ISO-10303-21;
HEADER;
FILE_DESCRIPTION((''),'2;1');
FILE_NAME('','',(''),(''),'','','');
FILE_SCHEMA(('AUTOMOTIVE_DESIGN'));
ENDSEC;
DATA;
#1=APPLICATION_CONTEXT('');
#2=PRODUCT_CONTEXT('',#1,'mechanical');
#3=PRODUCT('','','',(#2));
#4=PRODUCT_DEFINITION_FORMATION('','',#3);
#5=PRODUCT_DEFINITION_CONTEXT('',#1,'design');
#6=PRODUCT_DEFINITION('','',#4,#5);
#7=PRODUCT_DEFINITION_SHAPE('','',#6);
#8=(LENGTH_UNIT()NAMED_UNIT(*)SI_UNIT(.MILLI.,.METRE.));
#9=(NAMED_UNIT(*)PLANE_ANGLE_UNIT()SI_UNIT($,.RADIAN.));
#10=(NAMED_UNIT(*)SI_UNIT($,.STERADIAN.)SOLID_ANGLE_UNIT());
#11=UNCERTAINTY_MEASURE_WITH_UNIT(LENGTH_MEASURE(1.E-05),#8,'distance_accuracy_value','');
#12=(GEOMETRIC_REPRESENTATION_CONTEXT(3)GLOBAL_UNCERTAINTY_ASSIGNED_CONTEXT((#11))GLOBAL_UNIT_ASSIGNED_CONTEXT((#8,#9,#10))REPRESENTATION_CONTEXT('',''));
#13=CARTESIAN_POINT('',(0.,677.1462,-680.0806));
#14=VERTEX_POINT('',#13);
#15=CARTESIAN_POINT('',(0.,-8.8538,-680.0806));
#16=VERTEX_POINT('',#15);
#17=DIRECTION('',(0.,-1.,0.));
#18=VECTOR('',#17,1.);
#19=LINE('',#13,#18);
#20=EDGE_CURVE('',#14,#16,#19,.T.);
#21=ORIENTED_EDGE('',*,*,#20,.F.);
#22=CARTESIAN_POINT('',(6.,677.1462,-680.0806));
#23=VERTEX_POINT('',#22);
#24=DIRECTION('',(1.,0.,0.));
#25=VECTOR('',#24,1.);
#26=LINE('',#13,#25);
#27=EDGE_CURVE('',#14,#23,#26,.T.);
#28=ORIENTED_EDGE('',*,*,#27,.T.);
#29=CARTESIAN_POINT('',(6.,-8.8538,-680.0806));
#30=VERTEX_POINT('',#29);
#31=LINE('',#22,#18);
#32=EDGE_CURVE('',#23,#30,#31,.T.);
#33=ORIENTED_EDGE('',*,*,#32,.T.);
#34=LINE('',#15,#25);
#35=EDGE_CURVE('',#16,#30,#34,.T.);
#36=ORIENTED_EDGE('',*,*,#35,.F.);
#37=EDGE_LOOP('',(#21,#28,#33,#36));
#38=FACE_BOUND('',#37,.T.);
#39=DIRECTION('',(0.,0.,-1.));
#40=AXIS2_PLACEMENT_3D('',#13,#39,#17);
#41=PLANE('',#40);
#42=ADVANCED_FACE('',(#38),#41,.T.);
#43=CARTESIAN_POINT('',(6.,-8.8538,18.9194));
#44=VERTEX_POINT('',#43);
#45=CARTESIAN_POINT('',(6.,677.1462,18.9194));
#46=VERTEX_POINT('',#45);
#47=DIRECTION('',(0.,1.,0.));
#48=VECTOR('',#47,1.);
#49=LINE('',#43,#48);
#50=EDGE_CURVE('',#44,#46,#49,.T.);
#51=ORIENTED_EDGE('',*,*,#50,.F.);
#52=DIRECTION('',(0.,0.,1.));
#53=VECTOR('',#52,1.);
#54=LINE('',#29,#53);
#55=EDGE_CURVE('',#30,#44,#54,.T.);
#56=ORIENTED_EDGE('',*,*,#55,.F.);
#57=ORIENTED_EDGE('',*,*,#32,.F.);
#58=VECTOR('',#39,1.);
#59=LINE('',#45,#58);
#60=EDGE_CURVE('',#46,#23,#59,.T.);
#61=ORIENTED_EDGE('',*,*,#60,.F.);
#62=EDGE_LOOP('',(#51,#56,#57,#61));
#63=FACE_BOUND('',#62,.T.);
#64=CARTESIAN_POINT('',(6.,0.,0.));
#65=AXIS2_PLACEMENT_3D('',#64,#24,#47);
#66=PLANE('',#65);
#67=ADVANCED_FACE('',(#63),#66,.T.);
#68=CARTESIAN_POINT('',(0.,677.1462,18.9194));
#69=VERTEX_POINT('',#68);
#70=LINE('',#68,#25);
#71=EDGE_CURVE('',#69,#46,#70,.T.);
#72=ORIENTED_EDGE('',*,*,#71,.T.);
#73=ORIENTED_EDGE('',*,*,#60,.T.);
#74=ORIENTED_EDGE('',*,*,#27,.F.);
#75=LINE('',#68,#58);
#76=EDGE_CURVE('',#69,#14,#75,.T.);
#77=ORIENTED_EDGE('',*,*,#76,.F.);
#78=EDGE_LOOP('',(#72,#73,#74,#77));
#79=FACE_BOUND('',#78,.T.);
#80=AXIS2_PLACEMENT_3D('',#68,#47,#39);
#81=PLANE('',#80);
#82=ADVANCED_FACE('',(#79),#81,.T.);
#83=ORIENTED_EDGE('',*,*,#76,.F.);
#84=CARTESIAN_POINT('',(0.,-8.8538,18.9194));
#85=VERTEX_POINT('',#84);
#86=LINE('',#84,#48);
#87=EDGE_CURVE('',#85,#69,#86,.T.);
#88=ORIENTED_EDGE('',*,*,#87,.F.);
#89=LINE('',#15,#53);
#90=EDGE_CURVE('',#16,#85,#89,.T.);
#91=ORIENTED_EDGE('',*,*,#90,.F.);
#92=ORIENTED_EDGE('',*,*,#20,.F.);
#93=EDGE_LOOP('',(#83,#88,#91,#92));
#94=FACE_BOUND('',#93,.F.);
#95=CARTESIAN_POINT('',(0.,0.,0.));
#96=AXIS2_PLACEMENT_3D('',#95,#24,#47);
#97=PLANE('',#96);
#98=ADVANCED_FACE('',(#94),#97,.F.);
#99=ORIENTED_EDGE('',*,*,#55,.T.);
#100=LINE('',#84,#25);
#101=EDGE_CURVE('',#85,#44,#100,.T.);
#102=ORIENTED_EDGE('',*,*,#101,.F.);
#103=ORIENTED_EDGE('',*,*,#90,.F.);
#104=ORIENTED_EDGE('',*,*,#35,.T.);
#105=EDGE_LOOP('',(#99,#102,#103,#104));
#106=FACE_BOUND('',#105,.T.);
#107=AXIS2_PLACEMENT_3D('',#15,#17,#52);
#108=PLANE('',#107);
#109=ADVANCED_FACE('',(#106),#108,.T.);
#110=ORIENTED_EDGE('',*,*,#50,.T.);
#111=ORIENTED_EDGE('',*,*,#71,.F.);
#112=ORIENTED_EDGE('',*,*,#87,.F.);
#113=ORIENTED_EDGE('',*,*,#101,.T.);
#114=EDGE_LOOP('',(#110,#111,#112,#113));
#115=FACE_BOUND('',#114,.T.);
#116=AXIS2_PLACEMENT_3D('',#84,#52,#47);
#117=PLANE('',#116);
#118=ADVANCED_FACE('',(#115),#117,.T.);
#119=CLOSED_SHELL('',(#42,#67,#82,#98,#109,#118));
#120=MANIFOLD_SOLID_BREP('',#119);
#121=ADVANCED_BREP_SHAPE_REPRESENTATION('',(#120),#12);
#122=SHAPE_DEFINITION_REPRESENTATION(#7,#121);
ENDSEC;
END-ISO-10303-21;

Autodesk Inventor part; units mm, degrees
ref_plane "YZ Plane" through (0, 0, 0) normal (1, 0, 0) x (0, 1, 0)
ref_plane "XZ Plane" through (0, 0, 0) normal (0, 1, 0) x (-1, 0, 0)
ref_plane "XY Plane" through (0, 0, 0) normal (0, 0, 1) x (1, 0, 0)
sketch "Sketch1" plane through (0, 0, 0) normal (1, 0, 0) x (0, 1, 0)
  line L0 (-8.8538, 18.9194) -> (677.1462, 18.9194)
  line L1 (677.1462, 18.9194) -> (677.1462, -680.0806)
  line L2 (677.1462, -680.0806) -> (-8.8538, -680.0806)
  line L3 (-8.8538, -680.0806) -> (-8.8538, 18.9194)
  point P0 (0, 0)
  dimension "b" = 686
  dimension "d1" = 699
extrude "Extrusion1" add sketch "Sketch1" along normal blind 6
properties part number "CUT PART I"
